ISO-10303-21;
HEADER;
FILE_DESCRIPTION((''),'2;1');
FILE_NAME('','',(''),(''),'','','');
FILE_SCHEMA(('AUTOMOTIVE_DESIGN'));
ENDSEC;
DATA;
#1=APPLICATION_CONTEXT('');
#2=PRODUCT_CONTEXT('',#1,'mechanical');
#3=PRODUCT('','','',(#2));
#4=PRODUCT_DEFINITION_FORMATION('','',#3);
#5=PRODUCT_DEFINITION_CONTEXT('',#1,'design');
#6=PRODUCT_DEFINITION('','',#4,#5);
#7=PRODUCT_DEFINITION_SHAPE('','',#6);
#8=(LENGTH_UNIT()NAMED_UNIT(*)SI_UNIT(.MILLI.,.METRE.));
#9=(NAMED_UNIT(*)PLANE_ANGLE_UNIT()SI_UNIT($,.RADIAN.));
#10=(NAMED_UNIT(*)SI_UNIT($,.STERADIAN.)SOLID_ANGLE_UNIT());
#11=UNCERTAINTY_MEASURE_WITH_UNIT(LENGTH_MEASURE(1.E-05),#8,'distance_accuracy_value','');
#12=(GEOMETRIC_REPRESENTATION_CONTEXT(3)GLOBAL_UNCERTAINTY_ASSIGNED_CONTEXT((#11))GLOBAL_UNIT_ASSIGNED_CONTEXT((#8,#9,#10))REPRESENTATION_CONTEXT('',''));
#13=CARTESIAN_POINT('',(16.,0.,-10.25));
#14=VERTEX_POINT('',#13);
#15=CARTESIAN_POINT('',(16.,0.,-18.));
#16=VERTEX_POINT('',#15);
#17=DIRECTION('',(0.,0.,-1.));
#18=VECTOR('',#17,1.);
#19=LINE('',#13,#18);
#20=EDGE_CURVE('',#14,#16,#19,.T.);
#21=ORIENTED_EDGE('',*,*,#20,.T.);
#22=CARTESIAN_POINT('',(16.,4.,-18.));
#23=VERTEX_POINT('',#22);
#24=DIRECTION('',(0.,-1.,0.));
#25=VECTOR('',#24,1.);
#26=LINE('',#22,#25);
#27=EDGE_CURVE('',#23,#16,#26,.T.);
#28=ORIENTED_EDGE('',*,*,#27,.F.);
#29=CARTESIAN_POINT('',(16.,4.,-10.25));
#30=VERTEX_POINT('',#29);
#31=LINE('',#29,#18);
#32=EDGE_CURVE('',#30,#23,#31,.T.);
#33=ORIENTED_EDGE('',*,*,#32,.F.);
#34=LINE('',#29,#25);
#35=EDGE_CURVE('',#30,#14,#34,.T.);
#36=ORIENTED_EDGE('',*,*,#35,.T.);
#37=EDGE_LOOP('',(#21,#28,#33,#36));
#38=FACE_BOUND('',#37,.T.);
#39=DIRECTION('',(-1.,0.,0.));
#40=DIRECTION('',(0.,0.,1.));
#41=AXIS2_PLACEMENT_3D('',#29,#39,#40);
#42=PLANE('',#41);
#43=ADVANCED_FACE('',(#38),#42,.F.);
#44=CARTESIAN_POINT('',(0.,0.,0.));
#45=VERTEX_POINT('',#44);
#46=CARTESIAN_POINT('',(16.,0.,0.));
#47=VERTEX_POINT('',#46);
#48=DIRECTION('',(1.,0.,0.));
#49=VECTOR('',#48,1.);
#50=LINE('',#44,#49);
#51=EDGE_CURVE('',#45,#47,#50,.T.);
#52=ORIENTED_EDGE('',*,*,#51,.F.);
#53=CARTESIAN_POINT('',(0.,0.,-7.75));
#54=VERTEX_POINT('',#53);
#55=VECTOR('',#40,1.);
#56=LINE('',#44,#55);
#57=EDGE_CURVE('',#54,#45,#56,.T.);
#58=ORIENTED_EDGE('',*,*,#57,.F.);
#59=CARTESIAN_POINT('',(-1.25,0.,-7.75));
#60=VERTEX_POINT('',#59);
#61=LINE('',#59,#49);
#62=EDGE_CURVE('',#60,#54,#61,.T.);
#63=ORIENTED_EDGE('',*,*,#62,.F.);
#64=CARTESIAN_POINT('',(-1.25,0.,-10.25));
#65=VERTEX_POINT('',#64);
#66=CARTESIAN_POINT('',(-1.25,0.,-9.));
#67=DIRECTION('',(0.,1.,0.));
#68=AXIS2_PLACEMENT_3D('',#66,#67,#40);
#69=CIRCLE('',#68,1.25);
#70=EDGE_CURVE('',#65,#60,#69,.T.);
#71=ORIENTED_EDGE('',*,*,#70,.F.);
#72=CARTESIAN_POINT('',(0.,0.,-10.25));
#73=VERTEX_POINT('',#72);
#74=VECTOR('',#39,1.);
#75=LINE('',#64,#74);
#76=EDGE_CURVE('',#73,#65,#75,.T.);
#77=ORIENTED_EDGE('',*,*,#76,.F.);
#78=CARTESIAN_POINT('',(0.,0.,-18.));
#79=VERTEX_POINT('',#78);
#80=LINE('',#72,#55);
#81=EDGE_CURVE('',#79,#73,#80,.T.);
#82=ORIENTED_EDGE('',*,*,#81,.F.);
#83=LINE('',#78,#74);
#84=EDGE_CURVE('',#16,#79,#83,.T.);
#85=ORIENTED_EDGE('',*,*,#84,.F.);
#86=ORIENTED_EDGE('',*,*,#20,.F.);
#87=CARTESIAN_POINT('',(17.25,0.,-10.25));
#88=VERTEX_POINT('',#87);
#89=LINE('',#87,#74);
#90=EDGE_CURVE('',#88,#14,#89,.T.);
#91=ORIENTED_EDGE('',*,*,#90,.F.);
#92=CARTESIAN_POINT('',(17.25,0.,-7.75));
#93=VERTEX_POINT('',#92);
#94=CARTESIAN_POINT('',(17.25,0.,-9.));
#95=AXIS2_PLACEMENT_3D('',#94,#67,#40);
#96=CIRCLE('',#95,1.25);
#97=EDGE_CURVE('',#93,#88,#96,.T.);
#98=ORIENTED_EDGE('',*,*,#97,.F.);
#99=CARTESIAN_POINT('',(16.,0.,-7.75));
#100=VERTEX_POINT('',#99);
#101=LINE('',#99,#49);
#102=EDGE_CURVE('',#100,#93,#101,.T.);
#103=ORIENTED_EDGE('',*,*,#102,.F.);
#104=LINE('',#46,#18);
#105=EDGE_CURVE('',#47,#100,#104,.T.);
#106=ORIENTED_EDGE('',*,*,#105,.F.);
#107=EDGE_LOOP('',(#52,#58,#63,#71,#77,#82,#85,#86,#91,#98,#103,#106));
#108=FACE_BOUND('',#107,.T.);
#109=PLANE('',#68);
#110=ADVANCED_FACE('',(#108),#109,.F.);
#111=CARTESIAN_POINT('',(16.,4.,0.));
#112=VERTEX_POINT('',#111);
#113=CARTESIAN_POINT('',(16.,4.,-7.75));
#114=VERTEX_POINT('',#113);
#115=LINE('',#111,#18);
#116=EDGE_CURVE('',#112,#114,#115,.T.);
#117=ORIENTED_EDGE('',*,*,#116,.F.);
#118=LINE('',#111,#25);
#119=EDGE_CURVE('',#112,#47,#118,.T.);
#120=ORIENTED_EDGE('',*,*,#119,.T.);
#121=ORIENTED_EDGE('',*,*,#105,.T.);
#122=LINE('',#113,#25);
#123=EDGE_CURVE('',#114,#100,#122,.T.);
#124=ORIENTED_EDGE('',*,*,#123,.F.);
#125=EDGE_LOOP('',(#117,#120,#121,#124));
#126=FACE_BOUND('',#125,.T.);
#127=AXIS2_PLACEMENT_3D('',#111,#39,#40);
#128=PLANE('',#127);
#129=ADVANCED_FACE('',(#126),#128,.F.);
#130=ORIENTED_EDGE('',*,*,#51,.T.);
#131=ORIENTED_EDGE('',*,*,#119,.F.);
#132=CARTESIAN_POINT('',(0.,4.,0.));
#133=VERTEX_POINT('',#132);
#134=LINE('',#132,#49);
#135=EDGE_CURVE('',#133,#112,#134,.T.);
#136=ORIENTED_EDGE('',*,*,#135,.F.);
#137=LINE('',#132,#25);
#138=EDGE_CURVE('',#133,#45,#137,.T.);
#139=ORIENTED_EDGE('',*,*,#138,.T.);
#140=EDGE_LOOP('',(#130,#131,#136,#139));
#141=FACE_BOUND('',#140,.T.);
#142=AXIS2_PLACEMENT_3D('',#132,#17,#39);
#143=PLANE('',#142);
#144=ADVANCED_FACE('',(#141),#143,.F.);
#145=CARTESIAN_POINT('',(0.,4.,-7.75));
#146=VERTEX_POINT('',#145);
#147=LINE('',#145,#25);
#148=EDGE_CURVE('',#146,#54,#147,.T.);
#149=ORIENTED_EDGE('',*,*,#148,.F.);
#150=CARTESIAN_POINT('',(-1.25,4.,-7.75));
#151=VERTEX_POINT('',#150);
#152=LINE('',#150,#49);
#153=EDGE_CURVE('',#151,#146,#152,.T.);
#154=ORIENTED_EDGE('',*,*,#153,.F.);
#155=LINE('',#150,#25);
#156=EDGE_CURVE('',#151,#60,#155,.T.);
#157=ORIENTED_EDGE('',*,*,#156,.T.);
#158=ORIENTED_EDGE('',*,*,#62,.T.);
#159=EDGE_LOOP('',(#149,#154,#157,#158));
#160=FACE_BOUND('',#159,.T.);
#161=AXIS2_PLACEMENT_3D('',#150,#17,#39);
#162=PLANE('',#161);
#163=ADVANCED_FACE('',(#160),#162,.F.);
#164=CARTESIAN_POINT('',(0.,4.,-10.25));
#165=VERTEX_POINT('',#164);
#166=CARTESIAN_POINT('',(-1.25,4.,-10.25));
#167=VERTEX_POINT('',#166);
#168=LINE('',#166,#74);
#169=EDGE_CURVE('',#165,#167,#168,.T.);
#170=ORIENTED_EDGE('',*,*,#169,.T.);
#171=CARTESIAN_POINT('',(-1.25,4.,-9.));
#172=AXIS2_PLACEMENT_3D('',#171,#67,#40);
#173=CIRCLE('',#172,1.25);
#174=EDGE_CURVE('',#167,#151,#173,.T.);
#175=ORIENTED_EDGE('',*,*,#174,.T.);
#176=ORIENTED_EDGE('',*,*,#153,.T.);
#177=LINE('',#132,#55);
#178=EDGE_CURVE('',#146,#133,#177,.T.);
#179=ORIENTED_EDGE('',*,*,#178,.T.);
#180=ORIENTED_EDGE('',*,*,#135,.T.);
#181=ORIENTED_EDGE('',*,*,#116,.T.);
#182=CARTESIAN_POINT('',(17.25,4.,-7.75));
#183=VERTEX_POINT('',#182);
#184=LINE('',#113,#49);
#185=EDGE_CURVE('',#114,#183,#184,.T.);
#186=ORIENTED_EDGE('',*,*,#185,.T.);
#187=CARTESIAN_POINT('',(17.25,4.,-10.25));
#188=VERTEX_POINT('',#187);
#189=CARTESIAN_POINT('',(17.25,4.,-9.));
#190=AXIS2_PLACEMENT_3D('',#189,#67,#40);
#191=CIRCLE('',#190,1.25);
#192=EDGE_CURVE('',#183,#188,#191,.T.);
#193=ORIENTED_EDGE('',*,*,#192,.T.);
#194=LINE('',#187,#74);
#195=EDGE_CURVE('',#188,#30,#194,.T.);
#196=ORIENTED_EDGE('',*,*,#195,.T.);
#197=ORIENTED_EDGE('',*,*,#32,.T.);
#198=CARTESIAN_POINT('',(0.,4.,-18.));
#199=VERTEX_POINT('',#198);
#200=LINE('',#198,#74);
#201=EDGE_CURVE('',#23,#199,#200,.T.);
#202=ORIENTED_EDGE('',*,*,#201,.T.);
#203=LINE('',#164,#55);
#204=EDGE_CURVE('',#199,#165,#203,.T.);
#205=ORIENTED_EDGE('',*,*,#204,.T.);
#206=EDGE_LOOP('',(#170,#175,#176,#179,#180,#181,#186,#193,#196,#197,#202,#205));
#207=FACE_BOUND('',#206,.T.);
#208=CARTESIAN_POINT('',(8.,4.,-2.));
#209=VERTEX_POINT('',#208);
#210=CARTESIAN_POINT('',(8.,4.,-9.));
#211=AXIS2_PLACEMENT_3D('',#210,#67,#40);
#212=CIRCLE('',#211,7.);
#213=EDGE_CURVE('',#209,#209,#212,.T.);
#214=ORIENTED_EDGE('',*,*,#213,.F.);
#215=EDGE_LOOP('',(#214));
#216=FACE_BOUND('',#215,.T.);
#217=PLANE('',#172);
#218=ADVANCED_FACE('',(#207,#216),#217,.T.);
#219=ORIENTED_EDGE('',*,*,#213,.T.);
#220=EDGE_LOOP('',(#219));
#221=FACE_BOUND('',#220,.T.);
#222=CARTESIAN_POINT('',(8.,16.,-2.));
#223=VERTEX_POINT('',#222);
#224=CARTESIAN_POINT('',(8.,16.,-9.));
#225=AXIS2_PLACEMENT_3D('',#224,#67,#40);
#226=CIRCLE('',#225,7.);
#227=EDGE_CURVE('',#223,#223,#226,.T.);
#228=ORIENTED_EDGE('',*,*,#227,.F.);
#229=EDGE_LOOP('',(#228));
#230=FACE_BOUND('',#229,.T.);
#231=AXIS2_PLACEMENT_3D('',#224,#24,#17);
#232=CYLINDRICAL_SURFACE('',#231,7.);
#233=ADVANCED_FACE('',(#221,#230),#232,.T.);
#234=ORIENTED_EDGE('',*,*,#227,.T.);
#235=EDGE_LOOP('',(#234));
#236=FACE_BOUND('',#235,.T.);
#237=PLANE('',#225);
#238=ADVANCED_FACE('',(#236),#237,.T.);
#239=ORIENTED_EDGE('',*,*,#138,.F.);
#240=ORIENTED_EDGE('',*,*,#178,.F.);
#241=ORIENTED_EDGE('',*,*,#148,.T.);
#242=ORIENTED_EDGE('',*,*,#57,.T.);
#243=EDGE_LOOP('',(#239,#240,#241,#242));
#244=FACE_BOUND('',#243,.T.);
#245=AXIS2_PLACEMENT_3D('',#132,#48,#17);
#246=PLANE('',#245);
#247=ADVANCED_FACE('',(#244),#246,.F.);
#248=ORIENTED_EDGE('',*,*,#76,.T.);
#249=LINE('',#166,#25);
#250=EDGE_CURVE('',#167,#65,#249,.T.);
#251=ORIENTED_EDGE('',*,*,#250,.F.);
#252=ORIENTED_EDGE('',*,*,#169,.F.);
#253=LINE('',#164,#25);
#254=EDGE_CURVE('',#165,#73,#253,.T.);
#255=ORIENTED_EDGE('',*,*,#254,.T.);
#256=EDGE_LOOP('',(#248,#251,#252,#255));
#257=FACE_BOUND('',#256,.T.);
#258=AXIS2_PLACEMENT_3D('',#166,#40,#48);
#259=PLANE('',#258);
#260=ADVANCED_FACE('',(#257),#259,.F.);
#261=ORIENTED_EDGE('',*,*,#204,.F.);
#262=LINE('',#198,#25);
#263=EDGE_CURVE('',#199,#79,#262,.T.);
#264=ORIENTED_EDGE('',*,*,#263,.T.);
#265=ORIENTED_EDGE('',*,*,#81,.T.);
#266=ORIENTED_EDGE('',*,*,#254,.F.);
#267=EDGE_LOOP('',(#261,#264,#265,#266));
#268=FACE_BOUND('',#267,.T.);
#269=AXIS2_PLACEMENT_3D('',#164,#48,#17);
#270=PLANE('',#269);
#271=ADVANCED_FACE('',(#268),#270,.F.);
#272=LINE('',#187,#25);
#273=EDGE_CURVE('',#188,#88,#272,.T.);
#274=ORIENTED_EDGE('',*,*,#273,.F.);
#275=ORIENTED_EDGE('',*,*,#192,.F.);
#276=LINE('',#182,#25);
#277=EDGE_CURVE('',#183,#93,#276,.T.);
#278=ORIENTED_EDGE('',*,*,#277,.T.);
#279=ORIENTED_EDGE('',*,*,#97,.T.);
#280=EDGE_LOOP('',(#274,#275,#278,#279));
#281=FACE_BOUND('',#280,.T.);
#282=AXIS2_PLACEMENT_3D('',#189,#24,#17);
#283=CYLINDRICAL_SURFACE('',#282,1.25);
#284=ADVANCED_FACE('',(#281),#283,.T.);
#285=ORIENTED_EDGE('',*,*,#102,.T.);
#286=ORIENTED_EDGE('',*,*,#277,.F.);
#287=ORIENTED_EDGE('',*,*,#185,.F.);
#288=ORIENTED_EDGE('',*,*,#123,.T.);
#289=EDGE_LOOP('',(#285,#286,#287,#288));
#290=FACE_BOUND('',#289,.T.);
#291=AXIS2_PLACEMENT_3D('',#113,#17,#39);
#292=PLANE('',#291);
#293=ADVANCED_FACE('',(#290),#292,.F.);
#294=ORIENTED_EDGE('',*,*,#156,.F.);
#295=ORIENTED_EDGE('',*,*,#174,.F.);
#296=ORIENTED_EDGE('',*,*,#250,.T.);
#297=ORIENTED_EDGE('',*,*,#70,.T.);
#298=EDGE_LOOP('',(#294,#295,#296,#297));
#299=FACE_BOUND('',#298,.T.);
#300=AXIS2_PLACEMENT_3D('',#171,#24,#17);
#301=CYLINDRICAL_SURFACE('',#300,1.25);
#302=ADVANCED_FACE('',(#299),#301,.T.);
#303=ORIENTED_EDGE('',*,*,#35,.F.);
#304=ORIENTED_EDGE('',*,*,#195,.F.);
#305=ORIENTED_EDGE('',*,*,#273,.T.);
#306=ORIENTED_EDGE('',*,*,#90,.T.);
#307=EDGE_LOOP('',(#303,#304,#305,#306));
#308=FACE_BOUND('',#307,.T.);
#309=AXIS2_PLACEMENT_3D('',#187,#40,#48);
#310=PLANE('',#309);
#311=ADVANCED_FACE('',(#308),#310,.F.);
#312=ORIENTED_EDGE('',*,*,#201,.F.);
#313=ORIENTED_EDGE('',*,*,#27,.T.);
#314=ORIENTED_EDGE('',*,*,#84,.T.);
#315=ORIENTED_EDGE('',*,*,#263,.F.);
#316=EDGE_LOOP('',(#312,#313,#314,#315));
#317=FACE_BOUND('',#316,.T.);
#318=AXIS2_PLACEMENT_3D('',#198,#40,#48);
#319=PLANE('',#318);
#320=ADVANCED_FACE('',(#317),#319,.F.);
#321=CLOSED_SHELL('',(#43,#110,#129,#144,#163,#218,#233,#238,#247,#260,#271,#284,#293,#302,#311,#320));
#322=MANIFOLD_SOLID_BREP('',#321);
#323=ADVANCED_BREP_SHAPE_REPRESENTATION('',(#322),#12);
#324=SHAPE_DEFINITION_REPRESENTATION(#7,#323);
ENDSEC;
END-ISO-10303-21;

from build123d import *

# Parameters (mm, degrees)
BOSS_EXTRUDE1_DEPTH = 4
SKETCH2_R           = 7
BOSS_EXTRUDE2_DEPTH = 12


with BuildPart() as part:
    # Sketch1 → Boss-Extrude1 (new body)
    with BuildSketch(Plane(origin=(0, 0, 0), x_dir=(1, 0, 0), z_dir=(0, 1, 0))):
        with BuildLine():
            Line((0, 0), (16, 0))
            Line((16, 0), (16, 7.75))
            Line((16, 7.75), (17.25, 7.75))
            ThreePointArc((17.25, 7.75), (18.5, 9), (17.25, 10.25))
            Line((17.25, 10.25), (16, 10.25))
            Line((16, 10.25), (16, 18))
            Line((16, 18), (0, 18))
            Line((0, 18), (0, 10.25))
            Line((0, 10.25), (-1.25, 10.25))
            ThreePointArc((-1.25, 10.25), (-2.5, 9), (-1.25, 7.75))
            Line((-1.25, 7.75), (0, 7.75))
            Line((0, 7.75), (0, 0))
        make_face()
    extrude(amount=BOSS_EXTRUDE1_DEPTH)

    # Sketch2 → Boss-Extrude2 (add)
    with BuildSketch(Plane(origin=(0, 4, 0), x_dir=(1, 0, 0), z_dir=(0, 1, 0))):
        with Locations((8, 9)):
            Circle(SKETCH2_R)
    extrude(amount=BOSS_EXTRUDE2_DEPTH)


solid = part.part
